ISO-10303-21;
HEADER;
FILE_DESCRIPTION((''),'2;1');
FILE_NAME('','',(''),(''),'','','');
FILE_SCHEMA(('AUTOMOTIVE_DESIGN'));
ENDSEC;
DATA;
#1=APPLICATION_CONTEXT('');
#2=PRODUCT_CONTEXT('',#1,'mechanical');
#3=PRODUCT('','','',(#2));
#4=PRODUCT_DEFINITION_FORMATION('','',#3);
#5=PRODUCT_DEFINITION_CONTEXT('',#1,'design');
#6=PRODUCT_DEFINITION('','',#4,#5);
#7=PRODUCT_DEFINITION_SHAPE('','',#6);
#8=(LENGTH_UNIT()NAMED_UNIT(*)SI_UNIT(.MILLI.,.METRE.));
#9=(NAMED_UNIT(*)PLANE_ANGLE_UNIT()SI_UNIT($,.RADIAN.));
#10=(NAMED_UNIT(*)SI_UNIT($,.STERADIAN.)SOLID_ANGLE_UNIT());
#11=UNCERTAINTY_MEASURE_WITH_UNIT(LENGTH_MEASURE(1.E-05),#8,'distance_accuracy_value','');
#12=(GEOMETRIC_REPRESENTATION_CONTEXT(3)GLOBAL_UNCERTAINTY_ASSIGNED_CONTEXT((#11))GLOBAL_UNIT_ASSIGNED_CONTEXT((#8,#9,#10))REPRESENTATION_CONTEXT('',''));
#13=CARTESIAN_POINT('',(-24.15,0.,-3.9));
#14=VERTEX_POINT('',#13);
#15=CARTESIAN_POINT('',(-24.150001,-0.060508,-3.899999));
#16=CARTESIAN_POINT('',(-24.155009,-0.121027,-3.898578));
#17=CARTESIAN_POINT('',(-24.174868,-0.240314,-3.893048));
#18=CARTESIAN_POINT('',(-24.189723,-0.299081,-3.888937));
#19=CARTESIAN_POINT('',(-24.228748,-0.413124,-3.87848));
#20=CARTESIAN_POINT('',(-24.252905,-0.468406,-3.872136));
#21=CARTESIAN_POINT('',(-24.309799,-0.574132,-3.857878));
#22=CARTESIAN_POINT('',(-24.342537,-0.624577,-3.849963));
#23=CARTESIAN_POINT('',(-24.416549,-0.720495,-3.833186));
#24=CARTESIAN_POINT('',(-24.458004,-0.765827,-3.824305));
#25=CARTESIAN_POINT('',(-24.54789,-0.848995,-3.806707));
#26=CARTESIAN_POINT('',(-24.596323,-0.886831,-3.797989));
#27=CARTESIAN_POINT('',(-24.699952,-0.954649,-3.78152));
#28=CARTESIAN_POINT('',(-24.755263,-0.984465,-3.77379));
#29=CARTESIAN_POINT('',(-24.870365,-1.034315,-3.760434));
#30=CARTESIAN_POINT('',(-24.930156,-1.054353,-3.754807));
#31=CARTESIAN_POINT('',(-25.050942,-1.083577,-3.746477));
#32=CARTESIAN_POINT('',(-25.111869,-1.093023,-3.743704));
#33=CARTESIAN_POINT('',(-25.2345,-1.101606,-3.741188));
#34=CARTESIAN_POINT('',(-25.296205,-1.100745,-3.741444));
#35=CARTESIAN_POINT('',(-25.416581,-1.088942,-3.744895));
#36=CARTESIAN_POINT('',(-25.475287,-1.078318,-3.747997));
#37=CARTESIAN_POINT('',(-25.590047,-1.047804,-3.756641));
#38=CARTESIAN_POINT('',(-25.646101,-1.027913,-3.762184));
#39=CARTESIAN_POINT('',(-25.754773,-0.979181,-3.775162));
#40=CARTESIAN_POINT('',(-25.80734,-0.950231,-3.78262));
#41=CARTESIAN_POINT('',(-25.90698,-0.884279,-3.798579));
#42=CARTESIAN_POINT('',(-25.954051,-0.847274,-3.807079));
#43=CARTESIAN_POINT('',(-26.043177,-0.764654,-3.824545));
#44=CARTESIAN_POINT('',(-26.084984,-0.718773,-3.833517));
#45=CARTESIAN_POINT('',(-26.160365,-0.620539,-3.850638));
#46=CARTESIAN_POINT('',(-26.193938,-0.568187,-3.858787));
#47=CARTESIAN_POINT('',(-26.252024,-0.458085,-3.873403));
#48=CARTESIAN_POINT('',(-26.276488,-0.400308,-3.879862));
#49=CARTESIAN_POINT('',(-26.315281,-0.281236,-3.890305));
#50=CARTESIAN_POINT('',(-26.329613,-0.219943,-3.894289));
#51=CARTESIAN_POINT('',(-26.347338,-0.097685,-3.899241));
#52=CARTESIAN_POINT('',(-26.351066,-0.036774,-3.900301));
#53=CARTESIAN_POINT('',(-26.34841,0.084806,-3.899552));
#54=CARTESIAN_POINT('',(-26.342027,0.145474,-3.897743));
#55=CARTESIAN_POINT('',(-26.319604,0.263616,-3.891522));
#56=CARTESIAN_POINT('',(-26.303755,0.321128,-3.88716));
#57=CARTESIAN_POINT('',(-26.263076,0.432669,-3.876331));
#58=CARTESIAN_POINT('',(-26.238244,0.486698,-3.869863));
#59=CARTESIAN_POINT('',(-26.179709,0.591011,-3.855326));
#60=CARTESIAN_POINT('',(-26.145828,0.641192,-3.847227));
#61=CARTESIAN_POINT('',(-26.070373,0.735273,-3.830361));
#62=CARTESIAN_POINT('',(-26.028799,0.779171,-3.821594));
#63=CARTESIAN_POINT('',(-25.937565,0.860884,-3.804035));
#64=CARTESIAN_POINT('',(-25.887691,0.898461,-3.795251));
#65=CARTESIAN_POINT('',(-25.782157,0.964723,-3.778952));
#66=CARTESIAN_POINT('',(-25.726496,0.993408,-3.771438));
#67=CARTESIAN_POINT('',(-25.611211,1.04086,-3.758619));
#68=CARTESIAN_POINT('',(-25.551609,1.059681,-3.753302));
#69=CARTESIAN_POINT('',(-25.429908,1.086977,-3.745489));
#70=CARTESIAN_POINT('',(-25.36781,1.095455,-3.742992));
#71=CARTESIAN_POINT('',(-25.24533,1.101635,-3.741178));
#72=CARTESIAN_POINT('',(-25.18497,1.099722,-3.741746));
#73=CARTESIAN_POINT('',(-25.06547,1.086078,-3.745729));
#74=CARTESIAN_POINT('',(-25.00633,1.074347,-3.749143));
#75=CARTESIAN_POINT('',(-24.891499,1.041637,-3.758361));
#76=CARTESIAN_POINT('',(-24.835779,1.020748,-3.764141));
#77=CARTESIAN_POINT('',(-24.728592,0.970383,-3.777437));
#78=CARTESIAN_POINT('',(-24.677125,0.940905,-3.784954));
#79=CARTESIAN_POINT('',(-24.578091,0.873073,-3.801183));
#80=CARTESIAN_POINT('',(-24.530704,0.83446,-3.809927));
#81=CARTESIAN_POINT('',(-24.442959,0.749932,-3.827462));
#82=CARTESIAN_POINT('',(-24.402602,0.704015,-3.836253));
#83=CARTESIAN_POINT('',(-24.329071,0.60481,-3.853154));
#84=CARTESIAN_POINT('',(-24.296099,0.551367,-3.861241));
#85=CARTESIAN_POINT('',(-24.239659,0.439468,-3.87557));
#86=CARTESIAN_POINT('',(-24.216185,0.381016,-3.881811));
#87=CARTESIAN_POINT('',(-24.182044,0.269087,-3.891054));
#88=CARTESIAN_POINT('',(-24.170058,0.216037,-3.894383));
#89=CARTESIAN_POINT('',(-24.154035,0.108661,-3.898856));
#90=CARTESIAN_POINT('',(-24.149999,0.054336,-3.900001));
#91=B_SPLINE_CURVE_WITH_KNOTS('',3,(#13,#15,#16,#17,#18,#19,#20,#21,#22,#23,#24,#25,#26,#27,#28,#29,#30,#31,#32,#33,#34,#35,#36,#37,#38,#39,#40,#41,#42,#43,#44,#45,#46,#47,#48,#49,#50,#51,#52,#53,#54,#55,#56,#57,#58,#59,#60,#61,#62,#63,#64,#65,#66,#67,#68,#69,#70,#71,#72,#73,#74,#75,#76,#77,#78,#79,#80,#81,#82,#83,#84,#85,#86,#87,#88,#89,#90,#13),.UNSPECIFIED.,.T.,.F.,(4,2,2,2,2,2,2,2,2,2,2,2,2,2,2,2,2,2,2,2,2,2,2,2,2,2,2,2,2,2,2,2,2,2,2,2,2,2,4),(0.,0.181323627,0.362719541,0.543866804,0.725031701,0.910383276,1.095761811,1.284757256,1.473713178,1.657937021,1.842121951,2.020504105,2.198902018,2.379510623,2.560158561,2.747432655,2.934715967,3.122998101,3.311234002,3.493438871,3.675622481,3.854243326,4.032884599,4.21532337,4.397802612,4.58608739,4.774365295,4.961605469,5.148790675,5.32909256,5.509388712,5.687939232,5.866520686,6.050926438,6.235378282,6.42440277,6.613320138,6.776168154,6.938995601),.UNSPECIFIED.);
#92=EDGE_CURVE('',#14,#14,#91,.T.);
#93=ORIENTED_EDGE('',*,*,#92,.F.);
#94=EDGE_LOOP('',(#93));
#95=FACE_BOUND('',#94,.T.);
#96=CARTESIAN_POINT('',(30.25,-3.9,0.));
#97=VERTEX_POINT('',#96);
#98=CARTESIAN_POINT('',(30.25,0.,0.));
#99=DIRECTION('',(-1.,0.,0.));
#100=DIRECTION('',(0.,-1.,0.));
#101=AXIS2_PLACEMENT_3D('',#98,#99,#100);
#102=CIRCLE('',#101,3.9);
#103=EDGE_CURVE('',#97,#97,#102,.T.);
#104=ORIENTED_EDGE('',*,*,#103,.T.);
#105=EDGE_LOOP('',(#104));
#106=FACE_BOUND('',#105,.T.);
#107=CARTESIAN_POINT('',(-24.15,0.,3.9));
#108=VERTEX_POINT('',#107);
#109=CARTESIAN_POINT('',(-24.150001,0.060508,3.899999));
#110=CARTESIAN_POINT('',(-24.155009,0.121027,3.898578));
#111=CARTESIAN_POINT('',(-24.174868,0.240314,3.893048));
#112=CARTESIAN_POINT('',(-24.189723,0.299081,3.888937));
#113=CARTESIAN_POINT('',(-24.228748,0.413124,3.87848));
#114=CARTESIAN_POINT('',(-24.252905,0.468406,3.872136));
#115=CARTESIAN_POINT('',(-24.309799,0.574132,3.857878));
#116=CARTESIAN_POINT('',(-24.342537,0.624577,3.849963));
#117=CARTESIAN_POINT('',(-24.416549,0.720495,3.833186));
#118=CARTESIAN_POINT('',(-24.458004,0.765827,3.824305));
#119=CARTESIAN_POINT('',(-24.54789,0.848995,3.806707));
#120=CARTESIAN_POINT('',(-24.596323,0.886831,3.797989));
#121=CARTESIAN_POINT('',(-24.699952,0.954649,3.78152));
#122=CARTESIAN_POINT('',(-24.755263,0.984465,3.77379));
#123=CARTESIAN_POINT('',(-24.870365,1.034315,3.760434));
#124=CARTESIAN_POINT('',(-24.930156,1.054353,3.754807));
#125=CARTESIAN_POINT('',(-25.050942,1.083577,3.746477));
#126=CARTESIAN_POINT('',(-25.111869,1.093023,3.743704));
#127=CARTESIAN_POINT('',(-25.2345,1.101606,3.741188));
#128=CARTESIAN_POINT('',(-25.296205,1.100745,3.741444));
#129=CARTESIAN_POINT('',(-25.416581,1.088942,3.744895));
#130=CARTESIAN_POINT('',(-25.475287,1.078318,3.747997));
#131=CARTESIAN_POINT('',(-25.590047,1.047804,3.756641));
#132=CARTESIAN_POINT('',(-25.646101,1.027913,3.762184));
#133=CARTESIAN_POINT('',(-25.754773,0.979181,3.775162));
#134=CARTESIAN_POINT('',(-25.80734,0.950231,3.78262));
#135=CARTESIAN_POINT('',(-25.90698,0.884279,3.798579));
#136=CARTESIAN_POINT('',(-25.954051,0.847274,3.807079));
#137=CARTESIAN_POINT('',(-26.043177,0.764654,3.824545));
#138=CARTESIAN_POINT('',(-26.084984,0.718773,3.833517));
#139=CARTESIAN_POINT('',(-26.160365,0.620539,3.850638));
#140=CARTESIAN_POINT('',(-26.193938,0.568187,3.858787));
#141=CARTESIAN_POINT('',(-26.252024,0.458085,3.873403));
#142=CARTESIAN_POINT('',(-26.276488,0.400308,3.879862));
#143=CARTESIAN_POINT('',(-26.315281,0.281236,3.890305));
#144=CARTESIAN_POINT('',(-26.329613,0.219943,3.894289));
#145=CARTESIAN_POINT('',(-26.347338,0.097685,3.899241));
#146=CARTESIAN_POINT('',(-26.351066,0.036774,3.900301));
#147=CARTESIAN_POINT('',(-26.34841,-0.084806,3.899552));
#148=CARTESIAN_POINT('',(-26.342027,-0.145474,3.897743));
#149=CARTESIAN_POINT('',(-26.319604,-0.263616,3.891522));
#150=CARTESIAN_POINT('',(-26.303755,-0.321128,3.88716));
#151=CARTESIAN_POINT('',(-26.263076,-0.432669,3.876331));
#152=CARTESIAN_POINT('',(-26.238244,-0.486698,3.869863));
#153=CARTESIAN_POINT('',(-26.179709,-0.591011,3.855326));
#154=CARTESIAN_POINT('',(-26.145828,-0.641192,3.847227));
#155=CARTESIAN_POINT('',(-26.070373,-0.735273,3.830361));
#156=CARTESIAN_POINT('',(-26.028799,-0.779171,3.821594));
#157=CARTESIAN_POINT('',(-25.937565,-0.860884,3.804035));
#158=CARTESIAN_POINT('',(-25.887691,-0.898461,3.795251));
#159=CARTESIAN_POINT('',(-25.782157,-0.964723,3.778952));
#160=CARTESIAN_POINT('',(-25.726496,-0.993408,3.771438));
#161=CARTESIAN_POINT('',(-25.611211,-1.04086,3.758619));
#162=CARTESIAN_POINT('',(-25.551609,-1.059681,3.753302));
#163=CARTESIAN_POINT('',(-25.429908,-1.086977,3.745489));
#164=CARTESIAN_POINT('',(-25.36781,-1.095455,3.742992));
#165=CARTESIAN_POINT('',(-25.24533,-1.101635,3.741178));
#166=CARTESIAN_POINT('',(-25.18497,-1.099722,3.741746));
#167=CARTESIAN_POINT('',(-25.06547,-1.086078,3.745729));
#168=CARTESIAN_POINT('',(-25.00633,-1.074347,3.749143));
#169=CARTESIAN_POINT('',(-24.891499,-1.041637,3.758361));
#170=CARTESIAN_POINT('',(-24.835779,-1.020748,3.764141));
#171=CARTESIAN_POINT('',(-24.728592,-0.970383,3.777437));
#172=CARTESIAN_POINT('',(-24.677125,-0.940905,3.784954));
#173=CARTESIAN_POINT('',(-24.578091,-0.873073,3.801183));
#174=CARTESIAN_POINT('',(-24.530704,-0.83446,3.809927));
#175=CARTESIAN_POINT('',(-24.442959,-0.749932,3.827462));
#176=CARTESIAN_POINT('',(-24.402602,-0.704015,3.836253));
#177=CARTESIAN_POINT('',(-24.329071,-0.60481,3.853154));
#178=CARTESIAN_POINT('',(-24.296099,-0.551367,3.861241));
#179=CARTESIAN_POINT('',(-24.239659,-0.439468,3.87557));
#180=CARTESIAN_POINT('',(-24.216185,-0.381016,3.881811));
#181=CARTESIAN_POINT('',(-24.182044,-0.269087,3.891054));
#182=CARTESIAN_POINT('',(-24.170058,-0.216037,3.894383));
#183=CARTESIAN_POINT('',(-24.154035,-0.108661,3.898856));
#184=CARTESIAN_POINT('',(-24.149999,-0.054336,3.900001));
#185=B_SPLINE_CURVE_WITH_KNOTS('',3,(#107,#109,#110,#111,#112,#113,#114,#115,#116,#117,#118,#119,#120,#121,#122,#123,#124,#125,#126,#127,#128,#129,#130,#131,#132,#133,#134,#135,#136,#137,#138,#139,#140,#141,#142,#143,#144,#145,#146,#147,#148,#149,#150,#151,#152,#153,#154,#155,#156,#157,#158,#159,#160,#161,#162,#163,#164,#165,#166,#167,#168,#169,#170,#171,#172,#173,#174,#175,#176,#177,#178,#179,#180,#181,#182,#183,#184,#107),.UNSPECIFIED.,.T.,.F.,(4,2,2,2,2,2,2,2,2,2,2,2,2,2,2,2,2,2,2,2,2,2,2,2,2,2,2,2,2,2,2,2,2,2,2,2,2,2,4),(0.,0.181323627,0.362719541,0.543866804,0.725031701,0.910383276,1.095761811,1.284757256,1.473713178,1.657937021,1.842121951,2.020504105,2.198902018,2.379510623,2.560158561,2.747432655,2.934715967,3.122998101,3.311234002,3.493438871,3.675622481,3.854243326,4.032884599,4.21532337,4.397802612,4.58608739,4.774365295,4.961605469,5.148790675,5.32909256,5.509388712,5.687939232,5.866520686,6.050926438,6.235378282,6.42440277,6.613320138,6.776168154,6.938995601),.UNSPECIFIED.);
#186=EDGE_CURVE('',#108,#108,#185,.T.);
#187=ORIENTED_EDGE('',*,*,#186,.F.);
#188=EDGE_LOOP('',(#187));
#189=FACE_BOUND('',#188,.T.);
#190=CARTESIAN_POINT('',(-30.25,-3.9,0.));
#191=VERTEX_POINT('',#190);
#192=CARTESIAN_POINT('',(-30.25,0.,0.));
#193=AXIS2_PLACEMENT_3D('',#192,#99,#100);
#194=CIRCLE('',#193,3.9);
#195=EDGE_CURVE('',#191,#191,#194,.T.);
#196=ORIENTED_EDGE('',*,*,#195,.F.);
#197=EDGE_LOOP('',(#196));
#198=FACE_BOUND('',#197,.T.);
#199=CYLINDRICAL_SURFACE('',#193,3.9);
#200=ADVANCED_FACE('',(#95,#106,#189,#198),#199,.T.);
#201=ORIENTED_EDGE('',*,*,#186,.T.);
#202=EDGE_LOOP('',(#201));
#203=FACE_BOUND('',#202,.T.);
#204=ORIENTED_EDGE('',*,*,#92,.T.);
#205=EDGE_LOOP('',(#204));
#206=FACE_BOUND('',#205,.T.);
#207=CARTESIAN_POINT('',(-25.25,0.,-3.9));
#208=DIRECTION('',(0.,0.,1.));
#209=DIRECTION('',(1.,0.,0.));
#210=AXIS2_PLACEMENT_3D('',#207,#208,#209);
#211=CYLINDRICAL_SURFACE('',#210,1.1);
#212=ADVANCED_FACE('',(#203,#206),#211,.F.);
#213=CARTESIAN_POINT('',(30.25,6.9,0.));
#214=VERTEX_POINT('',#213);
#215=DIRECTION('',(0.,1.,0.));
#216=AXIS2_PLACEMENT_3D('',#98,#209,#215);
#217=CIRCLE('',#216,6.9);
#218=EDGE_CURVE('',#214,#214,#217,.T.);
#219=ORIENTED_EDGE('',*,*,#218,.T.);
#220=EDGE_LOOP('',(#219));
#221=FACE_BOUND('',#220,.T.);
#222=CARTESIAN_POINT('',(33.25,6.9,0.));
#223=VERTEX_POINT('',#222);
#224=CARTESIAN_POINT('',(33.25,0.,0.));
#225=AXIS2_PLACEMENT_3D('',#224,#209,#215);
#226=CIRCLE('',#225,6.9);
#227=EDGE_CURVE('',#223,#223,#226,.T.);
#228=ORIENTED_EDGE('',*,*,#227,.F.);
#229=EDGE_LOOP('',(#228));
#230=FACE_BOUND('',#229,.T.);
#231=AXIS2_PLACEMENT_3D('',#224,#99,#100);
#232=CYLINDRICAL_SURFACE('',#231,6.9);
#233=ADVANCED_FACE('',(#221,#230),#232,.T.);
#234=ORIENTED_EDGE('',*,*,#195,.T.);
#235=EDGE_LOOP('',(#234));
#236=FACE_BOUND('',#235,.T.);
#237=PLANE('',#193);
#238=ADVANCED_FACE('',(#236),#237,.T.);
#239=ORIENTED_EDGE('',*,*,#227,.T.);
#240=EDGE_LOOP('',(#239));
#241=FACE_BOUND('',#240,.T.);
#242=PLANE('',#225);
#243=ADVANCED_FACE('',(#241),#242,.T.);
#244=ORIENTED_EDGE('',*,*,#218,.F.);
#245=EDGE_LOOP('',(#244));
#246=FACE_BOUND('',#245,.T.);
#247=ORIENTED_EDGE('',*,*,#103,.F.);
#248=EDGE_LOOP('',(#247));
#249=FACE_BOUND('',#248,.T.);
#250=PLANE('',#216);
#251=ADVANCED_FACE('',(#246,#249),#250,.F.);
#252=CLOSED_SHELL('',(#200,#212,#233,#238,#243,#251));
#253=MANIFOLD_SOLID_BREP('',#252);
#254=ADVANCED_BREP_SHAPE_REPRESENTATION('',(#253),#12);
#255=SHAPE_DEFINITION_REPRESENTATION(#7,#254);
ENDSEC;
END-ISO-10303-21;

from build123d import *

# Parameters (mm, degrees)
SKETCH2_3_R             = 1.1
CUT_EXTRUDE1_DEPTH      = 4.9
CUT_EXTRUDE1_DEPTH_BACK = 4.9
SKETCH3_R               = 6.9
BOSS_EXTRUDE1_DEPTH     = 3


with BuildPart() as part:
    # Sketch2 → Revolve2 (revolve)
    with BuildSketch(Plane.XY):
        with BuildLine():
            Line((30.25, 0), (-24.15, 0))
            ThreePointArc((-24.15, 0), (-25.25, -1.1), (-26.35, 0))
            Line((-26.35, 0), (-30.25, 0))
            Line((-30.25, 0), (-30.25, -3.9))
            Line((-30.25, -3.9), (30.25, -3.9))
            Line((30.25, -3.9), (30.25, 0))
        make_face()
    revolve(axis=Axis((-30.25, 0, 0), (1, 0, 0)))

    # Sketch2<3> → Cut-Extrude1 (cut, two sides)
    with BuildSketch(Plane.XY) as cut_extrude1_sk:
        with Locations((-25.25, 0)):
            Circle(SKETCH2_3_R)
    extrude(amount=CUT_EXTRUDE1_DEPTH, mode=Mode.SUBTRACT)
    extrude(cut_extrude1_sk.sketch, amount=-CUT_EXTRUDE1_DEPTH_BACK, mode=Mode.SUBTRACT)

    # Sketch3 → Boss-Extrude1 (add)
    with BuildSketch(Plane(origin=(30.25, 0, 0), x_dir=(0, 0, -1), z_dir=(1, 0, 0))):
        Circle(SKETCH3_R)
    extrude(amount=BOSS_EXTRUDE1_DEPTH)


solid = part.part
